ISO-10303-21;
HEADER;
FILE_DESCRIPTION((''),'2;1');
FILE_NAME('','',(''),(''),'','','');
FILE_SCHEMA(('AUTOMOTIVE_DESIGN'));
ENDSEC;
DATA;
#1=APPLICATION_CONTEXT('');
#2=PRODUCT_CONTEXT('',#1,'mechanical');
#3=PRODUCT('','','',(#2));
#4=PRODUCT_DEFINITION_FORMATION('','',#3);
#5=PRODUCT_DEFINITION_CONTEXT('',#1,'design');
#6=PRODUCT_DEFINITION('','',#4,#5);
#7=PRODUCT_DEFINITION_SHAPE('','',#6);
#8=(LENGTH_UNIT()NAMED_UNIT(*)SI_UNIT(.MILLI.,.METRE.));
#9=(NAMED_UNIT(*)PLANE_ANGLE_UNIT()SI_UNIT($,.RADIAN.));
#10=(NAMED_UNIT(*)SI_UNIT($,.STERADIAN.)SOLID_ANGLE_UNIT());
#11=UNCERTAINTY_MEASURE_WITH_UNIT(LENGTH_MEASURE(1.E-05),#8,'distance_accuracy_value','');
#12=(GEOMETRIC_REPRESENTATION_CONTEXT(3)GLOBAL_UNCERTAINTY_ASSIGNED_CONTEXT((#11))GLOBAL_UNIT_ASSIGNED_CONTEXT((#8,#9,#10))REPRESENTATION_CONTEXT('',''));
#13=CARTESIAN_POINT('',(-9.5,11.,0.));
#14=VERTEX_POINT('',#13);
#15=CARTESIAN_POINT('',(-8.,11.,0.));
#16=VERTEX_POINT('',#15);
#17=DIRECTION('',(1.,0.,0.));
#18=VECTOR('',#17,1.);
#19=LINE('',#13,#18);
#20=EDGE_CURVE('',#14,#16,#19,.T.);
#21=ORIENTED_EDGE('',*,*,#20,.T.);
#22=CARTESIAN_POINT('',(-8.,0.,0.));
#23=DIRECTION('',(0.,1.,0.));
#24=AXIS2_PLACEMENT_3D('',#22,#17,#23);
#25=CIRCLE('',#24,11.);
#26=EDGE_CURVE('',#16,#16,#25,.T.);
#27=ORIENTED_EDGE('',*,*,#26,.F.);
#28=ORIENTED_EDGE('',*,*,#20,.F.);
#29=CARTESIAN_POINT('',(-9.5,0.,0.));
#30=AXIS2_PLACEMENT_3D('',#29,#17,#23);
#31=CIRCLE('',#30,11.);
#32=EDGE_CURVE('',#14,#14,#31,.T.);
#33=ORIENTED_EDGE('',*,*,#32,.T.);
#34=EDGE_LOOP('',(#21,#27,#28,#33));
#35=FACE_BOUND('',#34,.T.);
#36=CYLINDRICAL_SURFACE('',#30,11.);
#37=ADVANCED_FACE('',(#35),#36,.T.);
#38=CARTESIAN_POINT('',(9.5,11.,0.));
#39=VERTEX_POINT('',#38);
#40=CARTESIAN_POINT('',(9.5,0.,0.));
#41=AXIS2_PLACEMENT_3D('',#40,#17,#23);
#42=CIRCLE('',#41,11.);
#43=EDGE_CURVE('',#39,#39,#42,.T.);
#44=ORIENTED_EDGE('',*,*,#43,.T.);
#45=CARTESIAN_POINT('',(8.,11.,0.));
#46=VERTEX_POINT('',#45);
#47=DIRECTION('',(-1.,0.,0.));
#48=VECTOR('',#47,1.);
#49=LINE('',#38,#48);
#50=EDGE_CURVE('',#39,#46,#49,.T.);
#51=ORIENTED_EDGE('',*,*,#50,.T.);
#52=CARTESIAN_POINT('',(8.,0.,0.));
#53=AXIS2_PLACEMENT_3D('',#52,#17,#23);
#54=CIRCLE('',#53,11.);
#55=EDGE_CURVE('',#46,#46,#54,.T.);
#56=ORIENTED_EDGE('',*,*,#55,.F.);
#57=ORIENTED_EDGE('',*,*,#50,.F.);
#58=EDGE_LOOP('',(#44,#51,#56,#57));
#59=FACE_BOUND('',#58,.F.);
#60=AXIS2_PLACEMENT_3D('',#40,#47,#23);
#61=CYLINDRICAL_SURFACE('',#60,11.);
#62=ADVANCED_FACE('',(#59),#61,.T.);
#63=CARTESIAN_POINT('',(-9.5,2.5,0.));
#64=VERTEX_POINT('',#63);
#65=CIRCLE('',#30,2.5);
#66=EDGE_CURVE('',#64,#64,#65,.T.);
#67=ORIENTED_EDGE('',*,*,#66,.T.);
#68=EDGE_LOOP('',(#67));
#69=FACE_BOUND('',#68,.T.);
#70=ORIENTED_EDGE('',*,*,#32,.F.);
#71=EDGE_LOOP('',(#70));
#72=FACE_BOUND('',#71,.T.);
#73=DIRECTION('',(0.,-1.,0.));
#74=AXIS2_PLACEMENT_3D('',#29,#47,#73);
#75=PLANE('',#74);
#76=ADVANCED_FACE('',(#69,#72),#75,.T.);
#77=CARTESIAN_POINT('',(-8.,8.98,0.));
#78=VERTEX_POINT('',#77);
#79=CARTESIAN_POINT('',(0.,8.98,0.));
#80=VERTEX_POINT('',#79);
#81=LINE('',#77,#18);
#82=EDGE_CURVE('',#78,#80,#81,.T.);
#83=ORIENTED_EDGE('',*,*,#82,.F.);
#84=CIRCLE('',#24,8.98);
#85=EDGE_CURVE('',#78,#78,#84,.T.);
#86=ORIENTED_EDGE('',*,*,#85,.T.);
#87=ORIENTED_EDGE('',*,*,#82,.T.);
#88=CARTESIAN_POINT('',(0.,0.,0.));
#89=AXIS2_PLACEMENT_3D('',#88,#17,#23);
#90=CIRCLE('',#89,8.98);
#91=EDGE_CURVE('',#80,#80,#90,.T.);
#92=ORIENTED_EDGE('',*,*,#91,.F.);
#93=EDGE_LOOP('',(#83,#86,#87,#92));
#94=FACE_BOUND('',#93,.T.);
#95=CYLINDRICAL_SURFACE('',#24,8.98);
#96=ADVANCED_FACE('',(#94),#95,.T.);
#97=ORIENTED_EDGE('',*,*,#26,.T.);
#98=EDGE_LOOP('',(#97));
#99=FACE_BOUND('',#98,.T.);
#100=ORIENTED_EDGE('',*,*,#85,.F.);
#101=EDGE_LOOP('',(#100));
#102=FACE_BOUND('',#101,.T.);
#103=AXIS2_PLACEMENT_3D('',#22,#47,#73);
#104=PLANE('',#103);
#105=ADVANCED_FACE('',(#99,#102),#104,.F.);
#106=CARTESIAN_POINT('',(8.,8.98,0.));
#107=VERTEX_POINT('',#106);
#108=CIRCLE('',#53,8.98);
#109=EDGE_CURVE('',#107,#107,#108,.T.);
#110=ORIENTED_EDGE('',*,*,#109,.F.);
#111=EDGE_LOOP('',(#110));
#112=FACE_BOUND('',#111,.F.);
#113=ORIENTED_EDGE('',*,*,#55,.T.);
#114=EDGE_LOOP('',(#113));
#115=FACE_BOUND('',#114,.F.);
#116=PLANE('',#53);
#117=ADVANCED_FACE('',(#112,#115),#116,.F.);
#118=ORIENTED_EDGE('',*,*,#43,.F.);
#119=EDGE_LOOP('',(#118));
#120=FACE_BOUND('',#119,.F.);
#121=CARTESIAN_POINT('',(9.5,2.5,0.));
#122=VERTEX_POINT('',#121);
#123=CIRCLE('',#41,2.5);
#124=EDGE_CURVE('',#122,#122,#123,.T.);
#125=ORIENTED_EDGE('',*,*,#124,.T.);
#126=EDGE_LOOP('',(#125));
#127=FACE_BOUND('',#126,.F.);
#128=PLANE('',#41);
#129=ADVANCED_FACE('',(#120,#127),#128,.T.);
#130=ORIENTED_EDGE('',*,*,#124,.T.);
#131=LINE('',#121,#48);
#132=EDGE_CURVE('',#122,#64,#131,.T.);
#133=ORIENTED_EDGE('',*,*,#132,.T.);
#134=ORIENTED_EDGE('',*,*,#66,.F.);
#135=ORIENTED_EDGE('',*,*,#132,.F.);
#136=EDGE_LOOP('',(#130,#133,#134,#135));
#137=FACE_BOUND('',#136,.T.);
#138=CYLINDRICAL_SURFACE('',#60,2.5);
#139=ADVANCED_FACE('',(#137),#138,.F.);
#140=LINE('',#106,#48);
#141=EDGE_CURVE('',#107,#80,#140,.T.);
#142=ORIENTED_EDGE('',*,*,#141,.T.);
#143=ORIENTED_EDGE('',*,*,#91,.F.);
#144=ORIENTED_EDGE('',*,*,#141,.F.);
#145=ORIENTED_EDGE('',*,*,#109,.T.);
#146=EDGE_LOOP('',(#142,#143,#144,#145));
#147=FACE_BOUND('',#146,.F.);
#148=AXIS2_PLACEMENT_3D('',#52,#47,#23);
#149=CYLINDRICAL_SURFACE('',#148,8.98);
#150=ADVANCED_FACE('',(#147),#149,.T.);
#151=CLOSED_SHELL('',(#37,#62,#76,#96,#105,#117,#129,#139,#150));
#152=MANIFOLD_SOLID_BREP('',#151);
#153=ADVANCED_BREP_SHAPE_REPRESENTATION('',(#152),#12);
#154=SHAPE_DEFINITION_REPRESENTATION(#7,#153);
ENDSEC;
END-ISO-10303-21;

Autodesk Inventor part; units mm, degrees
ref_plane "YZ Plane" through (0, 0, 0) normal (1, 0, 0) x (0, 1, 0)
ref_plane "XZ Plane" through (0, 0, 0) normal (0, 1, 0) x (-1, 0, 0)
ref_plane "XY Plane" through (0, 0, 0) normal (0, 0, 1) x (1, 0, 0)
sketch "Sketch1" plane through (0, 0, 0) normal (0, 0, 1) x (1, 0, 0)
  line L0 (9.5, 2.5) -> (9.5, 11)
  line L1 (9.5, 11) -> (8, 11)
  line L2 (8, 11) -> (8, 8.98)
  line L3 (8, 8.98) -> (0, 8.98)
  line L4 (9.5, 2.5) -> (0, 2.5)
  line L5 (0, 2.5) -> (0, 8.98)
  line L6 (-1.9, 0) -> (11.4, 0) projected
  line L7 (0, 0.8) -> (0, 12.7) projected
  point P0 (0, 5.74)
  dimension "d0" = 9.5
  dimension "d1" = 8
  dimension "d2" = 8.98
  dimension "d3" = 11
  dimension "d4" = 2.5
revolve "Revolution1" add sketch "Sketch1" angle 360 about axis through (-10, 0, 0) along (1, 0, 0)
mirror "Mirror1" about plane through (0, 0, 0) normal (1, 0, 0) of "Revolution1"
properties part number "Belt_Bearing" material "Aluminum 6061"
